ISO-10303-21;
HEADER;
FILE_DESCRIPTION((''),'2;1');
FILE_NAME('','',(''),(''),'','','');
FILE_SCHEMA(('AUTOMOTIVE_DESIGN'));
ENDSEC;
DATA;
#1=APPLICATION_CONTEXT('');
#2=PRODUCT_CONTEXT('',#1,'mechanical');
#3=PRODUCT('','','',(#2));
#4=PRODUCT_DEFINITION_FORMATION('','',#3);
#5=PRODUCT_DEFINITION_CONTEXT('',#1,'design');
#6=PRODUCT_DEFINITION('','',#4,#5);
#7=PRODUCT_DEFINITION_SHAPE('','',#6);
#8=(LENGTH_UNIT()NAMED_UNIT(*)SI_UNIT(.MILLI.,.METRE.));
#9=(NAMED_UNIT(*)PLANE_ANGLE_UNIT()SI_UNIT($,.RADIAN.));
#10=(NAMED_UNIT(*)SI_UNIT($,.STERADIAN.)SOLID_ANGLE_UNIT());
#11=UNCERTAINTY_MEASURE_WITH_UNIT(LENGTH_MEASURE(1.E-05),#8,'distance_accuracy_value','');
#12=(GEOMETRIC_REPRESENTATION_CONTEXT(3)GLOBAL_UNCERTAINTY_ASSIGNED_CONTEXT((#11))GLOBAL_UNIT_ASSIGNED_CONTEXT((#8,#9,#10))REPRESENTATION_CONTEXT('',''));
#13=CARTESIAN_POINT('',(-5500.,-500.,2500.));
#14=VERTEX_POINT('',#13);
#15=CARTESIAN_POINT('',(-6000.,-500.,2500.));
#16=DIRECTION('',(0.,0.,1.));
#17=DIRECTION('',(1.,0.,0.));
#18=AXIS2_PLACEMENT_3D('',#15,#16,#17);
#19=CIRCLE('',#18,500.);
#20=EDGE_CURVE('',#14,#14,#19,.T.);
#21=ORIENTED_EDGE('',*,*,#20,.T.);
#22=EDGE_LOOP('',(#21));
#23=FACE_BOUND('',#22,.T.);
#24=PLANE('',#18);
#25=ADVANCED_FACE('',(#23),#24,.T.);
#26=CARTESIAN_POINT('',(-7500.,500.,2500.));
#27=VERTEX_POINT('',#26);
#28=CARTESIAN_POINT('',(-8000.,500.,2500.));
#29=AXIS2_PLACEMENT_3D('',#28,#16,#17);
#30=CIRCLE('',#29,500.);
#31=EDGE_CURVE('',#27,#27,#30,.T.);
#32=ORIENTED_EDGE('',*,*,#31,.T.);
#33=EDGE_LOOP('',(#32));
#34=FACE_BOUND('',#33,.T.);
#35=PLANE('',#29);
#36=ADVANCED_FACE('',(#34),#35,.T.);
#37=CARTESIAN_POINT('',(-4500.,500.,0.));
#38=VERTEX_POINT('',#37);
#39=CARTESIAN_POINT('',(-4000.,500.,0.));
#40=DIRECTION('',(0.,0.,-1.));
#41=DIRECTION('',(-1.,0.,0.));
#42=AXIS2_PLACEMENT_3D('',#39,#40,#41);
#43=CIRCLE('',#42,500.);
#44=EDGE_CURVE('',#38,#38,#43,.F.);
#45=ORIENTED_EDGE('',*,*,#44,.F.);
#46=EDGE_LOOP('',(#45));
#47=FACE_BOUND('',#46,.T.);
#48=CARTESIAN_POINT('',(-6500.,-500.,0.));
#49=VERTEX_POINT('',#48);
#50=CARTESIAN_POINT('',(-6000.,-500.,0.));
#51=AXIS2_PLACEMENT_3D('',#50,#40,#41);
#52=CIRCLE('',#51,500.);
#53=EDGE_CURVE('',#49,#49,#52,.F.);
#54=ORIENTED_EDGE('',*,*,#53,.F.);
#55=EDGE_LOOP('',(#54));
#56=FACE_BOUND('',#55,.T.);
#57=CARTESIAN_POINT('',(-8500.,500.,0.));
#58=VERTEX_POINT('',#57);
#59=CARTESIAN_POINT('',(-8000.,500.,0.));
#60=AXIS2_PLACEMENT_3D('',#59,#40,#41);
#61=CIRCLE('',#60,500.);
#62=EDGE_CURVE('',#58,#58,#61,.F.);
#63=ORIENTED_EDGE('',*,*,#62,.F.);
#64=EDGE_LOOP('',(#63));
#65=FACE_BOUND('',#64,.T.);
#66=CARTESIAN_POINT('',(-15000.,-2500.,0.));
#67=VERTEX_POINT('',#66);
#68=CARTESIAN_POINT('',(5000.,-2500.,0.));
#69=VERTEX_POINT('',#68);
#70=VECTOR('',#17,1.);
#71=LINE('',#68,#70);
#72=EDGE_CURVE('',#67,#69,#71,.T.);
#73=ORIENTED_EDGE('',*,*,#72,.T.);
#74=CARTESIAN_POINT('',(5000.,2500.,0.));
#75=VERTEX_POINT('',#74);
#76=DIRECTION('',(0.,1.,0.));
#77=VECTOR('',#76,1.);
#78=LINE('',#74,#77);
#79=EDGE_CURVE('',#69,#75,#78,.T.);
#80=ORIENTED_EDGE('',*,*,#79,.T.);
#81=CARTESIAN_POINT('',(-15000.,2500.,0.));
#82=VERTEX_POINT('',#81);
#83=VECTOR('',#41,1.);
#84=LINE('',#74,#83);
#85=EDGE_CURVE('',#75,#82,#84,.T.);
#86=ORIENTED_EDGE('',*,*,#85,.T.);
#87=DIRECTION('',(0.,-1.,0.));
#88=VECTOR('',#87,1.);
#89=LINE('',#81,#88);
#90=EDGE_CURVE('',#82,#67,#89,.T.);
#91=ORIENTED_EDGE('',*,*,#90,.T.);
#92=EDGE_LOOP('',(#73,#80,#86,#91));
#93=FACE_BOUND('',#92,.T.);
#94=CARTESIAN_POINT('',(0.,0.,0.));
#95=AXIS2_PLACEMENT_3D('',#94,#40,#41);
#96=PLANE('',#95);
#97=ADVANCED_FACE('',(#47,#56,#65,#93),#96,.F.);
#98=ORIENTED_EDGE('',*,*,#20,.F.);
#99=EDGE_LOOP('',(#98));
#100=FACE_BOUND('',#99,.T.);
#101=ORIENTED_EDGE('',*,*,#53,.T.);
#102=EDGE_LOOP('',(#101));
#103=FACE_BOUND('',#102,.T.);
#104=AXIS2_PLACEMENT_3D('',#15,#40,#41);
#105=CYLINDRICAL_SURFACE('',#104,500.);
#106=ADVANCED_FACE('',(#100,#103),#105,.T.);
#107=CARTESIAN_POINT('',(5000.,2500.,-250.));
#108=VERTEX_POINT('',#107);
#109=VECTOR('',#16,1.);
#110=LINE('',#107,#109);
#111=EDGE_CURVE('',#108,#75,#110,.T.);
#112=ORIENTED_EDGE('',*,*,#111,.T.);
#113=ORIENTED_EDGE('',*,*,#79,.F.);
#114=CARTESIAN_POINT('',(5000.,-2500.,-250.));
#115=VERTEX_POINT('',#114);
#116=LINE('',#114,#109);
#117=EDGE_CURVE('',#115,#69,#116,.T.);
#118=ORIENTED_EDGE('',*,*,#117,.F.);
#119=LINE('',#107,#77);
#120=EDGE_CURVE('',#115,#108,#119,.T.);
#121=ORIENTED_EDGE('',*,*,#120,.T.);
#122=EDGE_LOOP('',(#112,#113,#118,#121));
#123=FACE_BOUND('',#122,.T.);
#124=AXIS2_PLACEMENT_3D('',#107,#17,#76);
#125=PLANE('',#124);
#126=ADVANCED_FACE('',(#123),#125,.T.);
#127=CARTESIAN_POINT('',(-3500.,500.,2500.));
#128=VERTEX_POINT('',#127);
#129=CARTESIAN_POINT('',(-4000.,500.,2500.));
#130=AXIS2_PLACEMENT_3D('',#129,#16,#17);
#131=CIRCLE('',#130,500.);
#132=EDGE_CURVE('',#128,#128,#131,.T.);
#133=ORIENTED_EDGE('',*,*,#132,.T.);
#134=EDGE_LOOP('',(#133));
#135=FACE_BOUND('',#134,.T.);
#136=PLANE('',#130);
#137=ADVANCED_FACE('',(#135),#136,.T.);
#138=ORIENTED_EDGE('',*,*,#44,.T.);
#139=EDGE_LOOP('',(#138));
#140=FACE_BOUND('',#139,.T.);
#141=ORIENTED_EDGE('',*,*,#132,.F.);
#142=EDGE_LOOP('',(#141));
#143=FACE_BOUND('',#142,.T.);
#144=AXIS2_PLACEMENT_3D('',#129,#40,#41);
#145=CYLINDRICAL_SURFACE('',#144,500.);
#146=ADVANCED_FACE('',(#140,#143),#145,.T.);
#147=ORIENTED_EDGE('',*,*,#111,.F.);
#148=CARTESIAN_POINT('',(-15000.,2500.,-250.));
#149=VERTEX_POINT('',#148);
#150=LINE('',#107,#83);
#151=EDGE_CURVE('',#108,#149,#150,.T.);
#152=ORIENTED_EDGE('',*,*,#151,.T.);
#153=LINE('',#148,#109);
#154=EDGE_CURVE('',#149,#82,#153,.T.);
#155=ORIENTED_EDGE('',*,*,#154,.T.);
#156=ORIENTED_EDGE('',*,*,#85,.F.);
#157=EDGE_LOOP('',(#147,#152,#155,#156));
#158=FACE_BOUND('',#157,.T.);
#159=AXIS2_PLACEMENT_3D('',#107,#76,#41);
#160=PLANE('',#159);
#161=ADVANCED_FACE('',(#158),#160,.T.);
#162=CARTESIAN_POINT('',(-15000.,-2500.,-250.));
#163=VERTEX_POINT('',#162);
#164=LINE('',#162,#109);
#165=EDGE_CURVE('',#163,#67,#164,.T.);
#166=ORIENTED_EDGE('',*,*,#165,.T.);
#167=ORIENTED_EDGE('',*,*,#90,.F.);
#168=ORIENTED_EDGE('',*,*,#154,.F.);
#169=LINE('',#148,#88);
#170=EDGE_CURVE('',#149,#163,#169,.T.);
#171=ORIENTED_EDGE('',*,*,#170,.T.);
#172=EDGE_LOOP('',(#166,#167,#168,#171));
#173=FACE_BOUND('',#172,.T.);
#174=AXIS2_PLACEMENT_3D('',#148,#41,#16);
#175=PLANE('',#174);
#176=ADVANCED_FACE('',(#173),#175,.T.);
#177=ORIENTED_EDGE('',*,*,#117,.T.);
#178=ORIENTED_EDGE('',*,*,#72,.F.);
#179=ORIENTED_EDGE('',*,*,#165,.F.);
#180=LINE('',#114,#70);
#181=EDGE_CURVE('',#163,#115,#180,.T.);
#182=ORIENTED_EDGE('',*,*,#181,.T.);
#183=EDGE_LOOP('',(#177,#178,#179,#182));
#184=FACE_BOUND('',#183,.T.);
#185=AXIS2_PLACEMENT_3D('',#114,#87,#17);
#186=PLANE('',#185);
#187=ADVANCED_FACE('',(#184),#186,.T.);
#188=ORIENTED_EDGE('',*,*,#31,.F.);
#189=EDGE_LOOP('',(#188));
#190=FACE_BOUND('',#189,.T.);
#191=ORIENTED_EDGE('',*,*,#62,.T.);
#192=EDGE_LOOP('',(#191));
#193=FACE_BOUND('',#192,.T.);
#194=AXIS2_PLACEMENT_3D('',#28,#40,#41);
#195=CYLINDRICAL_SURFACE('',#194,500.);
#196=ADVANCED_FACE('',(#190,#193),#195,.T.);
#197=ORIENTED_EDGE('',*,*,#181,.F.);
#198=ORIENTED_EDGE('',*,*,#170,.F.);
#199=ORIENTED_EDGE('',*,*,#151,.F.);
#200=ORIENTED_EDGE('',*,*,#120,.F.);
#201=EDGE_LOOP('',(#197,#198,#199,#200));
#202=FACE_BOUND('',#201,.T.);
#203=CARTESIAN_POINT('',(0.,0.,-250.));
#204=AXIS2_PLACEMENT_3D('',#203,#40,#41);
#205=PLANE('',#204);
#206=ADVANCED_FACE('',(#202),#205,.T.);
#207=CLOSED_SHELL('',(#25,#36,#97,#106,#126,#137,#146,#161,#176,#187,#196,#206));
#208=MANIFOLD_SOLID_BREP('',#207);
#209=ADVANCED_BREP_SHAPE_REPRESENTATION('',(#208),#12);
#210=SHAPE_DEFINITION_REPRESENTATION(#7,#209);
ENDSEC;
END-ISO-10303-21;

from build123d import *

# Parameters (mm, degrees)
SKETCH1_W           = 20000
SKETCH1_H           = 5000
BOSS_EXTRUDE1_DEPTH = 250
SKETCH2_R           = 500
BOSS_EXTRUDE2_DEPTH = 2500


with BuildPart() as part:
    # Sketch1 → Boss-Extrude1 (new body)
    with BuildSketch(Plane.XY):
        with Locations((-5000, 0)):
            Rectangle(SKETCH1_W, SKETCH1_H)
    extrude(amount=-BOSS_EXTRUDE1_DEPTH)

    # Sketch2 → Boss-Extrude2 (add)
    with BuildSketch(Plane.XY):
        with Locations(Location((-8000, 500, 0), (0, 0, 180))):
            Circle(SKETCH2_R)
        with Locations(Location((-6000, -500, 0), (0, 0, 180))):
            Circle(SKETCH2_R)
        with Locations(Location((-4000, 500, 0), (0, 0, 180))):
            Circle(SKETCH2_R)
    extrude(amount=BOSS_EXTRUDE2_DEPTH)


solid = part.part
